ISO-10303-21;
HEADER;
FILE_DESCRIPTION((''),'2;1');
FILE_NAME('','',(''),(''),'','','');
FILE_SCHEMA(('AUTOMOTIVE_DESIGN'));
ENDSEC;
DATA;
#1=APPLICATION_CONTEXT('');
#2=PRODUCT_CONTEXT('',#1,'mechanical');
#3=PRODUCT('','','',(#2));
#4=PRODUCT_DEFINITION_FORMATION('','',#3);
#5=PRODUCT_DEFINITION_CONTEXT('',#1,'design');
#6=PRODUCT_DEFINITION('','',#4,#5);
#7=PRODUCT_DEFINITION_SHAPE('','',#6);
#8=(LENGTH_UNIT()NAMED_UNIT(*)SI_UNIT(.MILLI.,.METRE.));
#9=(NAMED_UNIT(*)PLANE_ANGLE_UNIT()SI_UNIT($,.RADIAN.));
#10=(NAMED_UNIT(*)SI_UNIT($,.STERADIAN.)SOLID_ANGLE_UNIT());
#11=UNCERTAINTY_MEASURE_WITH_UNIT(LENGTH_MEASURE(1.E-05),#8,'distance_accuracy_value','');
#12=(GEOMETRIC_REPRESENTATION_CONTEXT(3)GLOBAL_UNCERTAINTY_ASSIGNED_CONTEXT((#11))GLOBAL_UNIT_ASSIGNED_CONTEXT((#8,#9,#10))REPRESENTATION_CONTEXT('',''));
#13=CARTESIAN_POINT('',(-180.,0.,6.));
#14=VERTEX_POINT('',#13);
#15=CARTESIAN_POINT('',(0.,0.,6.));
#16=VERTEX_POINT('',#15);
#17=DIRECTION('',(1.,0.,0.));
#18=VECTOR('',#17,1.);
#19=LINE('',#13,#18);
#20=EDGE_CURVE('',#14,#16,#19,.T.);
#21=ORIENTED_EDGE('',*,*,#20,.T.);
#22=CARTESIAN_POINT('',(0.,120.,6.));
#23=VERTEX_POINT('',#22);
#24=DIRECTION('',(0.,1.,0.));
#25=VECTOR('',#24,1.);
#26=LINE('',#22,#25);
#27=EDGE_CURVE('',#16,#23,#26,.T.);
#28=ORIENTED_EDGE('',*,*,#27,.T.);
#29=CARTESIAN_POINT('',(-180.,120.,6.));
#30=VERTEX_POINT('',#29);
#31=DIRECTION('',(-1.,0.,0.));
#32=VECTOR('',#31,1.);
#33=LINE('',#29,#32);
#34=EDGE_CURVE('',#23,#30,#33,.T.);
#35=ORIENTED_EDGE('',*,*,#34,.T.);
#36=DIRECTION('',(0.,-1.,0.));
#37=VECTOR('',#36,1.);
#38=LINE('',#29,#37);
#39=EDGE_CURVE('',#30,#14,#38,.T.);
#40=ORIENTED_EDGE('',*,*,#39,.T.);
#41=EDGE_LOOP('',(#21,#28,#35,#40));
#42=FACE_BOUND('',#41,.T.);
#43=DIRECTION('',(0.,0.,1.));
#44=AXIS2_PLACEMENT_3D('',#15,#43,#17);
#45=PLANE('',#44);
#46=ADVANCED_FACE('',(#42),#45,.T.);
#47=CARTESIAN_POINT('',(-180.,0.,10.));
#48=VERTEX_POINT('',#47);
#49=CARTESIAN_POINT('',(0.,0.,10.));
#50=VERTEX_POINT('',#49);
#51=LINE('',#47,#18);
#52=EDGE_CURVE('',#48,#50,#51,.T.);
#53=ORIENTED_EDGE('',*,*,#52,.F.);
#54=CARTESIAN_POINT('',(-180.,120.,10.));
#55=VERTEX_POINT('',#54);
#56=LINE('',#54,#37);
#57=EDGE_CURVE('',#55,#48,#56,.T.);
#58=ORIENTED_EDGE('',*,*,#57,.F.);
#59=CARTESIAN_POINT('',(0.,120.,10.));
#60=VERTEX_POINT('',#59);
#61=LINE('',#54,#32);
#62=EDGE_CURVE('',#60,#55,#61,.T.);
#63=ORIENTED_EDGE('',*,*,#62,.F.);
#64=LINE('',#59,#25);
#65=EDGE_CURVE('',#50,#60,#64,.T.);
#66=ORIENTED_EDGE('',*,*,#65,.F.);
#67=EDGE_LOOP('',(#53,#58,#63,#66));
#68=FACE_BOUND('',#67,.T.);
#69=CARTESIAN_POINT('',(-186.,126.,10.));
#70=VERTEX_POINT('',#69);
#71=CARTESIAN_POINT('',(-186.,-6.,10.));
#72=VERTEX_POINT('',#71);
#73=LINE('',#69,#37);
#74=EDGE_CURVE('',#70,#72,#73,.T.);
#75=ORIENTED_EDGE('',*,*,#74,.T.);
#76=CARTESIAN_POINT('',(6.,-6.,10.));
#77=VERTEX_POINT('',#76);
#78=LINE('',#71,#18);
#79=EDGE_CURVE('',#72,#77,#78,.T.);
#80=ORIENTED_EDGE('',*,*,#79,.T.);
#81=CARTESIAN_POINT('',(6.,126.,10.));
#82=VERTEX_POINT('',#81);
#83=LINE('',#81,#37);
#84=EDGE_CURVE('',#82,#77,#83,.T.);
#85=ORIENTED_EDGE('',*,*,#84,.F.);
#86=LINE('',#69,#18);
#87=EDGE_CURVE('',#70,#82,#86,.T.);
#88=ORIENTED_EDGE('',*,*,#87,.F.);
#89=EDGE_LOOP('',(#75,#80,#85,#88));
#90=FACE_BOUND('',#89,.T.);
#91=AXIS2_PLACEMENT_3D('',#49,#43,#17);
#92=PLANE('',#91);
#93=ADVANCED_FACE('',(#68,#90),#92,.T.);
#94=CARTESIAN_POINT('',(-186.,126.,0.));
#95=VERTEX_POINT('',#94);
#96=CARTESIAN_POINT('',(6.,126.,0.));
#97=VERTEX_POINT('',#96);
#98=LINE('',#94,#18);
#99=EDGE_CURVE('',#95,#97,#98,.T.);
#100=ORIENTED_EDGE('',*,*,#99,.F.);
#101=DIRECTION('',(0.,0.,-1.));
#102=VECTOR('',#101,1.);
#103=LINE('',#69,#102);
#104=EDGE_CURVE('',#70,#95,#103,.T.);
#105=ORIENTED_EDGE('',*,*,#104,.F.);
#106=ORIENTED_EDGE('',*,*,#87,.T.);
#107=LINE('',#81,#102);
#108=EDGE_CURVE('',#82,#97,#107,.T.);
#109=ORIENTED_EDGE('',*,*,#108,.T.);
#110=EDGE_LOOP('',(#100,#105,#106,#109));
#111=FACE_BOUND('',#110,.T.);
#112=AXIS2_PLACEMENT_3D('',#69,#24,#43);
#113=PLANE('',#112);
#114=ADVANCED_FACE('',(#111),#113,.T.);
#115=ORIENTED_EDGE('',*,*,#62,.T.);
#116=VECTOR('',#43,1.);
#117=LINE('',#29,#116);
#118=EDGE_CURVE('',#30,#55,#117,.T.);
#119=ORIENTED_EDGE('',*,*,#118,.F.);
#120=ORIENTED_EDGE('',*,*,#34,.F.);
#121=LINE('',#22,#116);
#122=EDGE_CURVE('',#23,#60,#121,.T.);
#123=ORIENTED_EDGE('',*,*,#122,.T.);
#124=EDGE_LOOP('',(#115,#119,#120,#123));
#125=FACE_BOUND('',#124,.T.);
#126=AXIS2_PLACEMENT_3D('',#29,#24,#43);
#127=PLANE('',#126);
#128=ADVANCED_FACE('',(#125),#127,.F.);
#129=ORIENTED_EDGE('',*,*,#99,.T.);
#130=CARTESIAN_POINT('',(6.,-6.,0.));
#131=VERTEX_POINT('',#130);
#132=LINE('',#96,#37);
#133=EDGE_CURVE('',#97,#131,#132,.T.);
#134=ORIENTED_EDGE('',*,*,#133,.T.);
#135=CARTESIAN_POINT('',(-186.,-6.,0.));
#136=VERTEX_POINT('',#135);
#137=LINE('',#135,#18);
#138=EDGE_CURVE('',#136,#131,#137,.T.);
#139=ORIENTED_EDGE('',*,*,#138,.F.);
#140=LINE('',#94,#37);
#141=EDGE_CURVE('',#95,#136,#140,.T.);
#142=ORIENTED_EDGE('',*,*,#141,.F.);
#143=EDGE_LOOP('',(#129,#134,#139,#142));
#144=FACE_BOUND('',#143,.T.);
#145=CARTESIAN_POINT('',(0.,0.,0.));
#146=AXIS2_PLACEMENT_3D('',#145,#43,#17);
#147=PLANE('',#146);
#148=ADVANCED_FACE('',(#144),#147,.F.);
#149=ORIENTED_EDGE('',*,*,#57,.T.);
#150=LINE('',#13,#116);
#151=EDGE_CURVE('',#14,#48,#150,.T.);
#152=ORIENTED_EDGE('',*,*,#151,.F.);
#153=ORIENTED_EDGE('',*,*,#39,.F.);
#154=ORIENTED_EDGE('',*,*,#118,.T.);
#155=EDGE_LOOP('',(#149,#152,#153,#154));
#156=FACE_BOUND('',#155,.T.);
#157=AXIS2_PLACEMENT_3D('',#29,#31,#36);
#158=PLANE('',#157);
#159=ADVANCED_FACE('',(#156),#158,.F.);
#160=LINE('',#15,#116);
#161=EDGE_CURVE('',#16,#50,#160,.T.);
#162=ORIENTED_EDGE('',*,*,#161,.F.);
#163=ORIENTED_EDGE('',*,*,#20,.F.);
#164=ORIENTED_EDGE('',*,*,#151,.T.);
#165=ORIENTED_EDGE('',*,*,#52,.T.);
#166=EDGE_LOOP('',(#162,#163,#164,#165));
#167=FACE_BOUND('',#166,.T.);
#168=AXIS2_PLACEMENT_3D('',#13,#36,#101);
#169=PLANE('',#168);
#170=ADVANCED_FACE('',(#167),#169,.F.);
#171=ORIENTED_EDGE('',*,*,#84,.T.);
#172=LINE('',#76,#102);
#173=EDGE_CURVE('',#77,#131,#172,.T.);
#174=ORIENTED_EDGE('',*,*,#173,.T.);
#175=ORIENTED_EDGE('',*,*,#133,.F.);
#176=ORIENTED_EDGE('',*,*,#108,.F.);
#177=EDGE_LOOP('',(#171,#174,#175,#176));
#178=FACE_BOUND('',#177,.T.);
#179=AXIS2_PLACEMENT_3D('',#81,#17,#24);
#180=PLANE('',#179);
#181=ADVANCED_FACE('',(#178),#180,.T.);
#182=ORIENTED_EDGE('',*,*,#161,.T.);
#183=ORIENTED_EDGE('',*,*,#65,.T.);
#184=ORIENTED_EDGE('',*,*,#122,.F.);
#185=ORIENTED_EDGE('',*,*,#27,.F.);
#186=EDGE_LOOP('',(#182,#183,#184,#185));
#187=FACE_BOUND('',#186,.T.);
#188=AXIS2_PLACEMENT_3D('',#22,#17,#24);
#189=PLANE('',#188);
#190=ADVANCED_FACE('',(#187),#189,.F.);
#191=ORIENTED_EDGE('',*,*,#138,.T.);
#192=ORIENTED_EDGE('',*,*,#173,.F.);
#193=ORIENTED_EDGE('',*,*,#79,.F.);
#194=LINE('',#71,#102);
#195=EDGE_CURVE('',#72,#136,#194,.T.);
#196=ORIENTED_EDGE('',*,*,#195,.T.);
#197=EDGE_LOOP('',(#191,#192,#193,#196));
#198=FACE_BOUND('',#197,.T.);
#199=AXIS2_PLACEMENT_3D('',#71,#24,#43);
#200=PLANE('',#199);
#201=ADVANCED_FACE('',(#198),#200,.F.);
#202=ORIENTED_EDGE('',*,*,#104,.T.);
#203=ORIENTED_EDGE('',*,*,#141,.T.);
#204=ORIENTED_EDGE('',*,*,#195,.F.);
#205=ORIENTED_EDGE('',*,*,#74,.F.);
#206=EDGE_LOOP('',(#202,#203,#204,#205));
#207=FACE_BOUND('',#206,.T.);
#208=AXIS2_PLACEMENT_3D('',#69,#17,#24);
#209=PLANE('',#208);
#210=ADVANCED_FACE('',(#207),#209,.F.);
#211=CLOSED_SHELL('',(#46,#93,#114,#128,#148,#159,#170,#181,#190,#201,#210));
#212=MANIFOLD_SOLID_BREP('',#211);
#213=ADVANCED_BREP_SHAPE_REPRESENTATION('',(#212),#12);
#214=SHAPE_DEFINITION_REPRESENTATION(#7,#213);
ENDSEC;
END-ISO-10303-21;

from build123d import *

# Parameters (mm, degrees)
SKETCH1_W           = 192
SKETCH1_H           = 132
BOSS_EXTRUDE1_DEPTH = 10
SKETCH2_W           = 180
SKETCH2_H           = 120
CUT_EXTRUDE1_DEPTH  = 4


with BuildPart() as part:
    # Sketch1 → Boss-Extrude1 (new body)
    with BuildSketch(Plane.XY):
        with Locations((-90, 60)):
            Rectangle(SKETCH1_W, SKETCH1_H)
    extrude(amount=BOSS_EXTRUDE1_DEPTH)

    # Sketch2 → Cut-Extrude1 (cut)
    with BuildSketch(Plane.XY.offset(10)):
        with Locations((-90, 60)):
            Rectangle(SKETCH2_W, SKETCH2_H)
    extrude(amount=-CUT_EXTRUDE1_DEPTH, mode=Mode.SUBTRACT)


solid = part.part
